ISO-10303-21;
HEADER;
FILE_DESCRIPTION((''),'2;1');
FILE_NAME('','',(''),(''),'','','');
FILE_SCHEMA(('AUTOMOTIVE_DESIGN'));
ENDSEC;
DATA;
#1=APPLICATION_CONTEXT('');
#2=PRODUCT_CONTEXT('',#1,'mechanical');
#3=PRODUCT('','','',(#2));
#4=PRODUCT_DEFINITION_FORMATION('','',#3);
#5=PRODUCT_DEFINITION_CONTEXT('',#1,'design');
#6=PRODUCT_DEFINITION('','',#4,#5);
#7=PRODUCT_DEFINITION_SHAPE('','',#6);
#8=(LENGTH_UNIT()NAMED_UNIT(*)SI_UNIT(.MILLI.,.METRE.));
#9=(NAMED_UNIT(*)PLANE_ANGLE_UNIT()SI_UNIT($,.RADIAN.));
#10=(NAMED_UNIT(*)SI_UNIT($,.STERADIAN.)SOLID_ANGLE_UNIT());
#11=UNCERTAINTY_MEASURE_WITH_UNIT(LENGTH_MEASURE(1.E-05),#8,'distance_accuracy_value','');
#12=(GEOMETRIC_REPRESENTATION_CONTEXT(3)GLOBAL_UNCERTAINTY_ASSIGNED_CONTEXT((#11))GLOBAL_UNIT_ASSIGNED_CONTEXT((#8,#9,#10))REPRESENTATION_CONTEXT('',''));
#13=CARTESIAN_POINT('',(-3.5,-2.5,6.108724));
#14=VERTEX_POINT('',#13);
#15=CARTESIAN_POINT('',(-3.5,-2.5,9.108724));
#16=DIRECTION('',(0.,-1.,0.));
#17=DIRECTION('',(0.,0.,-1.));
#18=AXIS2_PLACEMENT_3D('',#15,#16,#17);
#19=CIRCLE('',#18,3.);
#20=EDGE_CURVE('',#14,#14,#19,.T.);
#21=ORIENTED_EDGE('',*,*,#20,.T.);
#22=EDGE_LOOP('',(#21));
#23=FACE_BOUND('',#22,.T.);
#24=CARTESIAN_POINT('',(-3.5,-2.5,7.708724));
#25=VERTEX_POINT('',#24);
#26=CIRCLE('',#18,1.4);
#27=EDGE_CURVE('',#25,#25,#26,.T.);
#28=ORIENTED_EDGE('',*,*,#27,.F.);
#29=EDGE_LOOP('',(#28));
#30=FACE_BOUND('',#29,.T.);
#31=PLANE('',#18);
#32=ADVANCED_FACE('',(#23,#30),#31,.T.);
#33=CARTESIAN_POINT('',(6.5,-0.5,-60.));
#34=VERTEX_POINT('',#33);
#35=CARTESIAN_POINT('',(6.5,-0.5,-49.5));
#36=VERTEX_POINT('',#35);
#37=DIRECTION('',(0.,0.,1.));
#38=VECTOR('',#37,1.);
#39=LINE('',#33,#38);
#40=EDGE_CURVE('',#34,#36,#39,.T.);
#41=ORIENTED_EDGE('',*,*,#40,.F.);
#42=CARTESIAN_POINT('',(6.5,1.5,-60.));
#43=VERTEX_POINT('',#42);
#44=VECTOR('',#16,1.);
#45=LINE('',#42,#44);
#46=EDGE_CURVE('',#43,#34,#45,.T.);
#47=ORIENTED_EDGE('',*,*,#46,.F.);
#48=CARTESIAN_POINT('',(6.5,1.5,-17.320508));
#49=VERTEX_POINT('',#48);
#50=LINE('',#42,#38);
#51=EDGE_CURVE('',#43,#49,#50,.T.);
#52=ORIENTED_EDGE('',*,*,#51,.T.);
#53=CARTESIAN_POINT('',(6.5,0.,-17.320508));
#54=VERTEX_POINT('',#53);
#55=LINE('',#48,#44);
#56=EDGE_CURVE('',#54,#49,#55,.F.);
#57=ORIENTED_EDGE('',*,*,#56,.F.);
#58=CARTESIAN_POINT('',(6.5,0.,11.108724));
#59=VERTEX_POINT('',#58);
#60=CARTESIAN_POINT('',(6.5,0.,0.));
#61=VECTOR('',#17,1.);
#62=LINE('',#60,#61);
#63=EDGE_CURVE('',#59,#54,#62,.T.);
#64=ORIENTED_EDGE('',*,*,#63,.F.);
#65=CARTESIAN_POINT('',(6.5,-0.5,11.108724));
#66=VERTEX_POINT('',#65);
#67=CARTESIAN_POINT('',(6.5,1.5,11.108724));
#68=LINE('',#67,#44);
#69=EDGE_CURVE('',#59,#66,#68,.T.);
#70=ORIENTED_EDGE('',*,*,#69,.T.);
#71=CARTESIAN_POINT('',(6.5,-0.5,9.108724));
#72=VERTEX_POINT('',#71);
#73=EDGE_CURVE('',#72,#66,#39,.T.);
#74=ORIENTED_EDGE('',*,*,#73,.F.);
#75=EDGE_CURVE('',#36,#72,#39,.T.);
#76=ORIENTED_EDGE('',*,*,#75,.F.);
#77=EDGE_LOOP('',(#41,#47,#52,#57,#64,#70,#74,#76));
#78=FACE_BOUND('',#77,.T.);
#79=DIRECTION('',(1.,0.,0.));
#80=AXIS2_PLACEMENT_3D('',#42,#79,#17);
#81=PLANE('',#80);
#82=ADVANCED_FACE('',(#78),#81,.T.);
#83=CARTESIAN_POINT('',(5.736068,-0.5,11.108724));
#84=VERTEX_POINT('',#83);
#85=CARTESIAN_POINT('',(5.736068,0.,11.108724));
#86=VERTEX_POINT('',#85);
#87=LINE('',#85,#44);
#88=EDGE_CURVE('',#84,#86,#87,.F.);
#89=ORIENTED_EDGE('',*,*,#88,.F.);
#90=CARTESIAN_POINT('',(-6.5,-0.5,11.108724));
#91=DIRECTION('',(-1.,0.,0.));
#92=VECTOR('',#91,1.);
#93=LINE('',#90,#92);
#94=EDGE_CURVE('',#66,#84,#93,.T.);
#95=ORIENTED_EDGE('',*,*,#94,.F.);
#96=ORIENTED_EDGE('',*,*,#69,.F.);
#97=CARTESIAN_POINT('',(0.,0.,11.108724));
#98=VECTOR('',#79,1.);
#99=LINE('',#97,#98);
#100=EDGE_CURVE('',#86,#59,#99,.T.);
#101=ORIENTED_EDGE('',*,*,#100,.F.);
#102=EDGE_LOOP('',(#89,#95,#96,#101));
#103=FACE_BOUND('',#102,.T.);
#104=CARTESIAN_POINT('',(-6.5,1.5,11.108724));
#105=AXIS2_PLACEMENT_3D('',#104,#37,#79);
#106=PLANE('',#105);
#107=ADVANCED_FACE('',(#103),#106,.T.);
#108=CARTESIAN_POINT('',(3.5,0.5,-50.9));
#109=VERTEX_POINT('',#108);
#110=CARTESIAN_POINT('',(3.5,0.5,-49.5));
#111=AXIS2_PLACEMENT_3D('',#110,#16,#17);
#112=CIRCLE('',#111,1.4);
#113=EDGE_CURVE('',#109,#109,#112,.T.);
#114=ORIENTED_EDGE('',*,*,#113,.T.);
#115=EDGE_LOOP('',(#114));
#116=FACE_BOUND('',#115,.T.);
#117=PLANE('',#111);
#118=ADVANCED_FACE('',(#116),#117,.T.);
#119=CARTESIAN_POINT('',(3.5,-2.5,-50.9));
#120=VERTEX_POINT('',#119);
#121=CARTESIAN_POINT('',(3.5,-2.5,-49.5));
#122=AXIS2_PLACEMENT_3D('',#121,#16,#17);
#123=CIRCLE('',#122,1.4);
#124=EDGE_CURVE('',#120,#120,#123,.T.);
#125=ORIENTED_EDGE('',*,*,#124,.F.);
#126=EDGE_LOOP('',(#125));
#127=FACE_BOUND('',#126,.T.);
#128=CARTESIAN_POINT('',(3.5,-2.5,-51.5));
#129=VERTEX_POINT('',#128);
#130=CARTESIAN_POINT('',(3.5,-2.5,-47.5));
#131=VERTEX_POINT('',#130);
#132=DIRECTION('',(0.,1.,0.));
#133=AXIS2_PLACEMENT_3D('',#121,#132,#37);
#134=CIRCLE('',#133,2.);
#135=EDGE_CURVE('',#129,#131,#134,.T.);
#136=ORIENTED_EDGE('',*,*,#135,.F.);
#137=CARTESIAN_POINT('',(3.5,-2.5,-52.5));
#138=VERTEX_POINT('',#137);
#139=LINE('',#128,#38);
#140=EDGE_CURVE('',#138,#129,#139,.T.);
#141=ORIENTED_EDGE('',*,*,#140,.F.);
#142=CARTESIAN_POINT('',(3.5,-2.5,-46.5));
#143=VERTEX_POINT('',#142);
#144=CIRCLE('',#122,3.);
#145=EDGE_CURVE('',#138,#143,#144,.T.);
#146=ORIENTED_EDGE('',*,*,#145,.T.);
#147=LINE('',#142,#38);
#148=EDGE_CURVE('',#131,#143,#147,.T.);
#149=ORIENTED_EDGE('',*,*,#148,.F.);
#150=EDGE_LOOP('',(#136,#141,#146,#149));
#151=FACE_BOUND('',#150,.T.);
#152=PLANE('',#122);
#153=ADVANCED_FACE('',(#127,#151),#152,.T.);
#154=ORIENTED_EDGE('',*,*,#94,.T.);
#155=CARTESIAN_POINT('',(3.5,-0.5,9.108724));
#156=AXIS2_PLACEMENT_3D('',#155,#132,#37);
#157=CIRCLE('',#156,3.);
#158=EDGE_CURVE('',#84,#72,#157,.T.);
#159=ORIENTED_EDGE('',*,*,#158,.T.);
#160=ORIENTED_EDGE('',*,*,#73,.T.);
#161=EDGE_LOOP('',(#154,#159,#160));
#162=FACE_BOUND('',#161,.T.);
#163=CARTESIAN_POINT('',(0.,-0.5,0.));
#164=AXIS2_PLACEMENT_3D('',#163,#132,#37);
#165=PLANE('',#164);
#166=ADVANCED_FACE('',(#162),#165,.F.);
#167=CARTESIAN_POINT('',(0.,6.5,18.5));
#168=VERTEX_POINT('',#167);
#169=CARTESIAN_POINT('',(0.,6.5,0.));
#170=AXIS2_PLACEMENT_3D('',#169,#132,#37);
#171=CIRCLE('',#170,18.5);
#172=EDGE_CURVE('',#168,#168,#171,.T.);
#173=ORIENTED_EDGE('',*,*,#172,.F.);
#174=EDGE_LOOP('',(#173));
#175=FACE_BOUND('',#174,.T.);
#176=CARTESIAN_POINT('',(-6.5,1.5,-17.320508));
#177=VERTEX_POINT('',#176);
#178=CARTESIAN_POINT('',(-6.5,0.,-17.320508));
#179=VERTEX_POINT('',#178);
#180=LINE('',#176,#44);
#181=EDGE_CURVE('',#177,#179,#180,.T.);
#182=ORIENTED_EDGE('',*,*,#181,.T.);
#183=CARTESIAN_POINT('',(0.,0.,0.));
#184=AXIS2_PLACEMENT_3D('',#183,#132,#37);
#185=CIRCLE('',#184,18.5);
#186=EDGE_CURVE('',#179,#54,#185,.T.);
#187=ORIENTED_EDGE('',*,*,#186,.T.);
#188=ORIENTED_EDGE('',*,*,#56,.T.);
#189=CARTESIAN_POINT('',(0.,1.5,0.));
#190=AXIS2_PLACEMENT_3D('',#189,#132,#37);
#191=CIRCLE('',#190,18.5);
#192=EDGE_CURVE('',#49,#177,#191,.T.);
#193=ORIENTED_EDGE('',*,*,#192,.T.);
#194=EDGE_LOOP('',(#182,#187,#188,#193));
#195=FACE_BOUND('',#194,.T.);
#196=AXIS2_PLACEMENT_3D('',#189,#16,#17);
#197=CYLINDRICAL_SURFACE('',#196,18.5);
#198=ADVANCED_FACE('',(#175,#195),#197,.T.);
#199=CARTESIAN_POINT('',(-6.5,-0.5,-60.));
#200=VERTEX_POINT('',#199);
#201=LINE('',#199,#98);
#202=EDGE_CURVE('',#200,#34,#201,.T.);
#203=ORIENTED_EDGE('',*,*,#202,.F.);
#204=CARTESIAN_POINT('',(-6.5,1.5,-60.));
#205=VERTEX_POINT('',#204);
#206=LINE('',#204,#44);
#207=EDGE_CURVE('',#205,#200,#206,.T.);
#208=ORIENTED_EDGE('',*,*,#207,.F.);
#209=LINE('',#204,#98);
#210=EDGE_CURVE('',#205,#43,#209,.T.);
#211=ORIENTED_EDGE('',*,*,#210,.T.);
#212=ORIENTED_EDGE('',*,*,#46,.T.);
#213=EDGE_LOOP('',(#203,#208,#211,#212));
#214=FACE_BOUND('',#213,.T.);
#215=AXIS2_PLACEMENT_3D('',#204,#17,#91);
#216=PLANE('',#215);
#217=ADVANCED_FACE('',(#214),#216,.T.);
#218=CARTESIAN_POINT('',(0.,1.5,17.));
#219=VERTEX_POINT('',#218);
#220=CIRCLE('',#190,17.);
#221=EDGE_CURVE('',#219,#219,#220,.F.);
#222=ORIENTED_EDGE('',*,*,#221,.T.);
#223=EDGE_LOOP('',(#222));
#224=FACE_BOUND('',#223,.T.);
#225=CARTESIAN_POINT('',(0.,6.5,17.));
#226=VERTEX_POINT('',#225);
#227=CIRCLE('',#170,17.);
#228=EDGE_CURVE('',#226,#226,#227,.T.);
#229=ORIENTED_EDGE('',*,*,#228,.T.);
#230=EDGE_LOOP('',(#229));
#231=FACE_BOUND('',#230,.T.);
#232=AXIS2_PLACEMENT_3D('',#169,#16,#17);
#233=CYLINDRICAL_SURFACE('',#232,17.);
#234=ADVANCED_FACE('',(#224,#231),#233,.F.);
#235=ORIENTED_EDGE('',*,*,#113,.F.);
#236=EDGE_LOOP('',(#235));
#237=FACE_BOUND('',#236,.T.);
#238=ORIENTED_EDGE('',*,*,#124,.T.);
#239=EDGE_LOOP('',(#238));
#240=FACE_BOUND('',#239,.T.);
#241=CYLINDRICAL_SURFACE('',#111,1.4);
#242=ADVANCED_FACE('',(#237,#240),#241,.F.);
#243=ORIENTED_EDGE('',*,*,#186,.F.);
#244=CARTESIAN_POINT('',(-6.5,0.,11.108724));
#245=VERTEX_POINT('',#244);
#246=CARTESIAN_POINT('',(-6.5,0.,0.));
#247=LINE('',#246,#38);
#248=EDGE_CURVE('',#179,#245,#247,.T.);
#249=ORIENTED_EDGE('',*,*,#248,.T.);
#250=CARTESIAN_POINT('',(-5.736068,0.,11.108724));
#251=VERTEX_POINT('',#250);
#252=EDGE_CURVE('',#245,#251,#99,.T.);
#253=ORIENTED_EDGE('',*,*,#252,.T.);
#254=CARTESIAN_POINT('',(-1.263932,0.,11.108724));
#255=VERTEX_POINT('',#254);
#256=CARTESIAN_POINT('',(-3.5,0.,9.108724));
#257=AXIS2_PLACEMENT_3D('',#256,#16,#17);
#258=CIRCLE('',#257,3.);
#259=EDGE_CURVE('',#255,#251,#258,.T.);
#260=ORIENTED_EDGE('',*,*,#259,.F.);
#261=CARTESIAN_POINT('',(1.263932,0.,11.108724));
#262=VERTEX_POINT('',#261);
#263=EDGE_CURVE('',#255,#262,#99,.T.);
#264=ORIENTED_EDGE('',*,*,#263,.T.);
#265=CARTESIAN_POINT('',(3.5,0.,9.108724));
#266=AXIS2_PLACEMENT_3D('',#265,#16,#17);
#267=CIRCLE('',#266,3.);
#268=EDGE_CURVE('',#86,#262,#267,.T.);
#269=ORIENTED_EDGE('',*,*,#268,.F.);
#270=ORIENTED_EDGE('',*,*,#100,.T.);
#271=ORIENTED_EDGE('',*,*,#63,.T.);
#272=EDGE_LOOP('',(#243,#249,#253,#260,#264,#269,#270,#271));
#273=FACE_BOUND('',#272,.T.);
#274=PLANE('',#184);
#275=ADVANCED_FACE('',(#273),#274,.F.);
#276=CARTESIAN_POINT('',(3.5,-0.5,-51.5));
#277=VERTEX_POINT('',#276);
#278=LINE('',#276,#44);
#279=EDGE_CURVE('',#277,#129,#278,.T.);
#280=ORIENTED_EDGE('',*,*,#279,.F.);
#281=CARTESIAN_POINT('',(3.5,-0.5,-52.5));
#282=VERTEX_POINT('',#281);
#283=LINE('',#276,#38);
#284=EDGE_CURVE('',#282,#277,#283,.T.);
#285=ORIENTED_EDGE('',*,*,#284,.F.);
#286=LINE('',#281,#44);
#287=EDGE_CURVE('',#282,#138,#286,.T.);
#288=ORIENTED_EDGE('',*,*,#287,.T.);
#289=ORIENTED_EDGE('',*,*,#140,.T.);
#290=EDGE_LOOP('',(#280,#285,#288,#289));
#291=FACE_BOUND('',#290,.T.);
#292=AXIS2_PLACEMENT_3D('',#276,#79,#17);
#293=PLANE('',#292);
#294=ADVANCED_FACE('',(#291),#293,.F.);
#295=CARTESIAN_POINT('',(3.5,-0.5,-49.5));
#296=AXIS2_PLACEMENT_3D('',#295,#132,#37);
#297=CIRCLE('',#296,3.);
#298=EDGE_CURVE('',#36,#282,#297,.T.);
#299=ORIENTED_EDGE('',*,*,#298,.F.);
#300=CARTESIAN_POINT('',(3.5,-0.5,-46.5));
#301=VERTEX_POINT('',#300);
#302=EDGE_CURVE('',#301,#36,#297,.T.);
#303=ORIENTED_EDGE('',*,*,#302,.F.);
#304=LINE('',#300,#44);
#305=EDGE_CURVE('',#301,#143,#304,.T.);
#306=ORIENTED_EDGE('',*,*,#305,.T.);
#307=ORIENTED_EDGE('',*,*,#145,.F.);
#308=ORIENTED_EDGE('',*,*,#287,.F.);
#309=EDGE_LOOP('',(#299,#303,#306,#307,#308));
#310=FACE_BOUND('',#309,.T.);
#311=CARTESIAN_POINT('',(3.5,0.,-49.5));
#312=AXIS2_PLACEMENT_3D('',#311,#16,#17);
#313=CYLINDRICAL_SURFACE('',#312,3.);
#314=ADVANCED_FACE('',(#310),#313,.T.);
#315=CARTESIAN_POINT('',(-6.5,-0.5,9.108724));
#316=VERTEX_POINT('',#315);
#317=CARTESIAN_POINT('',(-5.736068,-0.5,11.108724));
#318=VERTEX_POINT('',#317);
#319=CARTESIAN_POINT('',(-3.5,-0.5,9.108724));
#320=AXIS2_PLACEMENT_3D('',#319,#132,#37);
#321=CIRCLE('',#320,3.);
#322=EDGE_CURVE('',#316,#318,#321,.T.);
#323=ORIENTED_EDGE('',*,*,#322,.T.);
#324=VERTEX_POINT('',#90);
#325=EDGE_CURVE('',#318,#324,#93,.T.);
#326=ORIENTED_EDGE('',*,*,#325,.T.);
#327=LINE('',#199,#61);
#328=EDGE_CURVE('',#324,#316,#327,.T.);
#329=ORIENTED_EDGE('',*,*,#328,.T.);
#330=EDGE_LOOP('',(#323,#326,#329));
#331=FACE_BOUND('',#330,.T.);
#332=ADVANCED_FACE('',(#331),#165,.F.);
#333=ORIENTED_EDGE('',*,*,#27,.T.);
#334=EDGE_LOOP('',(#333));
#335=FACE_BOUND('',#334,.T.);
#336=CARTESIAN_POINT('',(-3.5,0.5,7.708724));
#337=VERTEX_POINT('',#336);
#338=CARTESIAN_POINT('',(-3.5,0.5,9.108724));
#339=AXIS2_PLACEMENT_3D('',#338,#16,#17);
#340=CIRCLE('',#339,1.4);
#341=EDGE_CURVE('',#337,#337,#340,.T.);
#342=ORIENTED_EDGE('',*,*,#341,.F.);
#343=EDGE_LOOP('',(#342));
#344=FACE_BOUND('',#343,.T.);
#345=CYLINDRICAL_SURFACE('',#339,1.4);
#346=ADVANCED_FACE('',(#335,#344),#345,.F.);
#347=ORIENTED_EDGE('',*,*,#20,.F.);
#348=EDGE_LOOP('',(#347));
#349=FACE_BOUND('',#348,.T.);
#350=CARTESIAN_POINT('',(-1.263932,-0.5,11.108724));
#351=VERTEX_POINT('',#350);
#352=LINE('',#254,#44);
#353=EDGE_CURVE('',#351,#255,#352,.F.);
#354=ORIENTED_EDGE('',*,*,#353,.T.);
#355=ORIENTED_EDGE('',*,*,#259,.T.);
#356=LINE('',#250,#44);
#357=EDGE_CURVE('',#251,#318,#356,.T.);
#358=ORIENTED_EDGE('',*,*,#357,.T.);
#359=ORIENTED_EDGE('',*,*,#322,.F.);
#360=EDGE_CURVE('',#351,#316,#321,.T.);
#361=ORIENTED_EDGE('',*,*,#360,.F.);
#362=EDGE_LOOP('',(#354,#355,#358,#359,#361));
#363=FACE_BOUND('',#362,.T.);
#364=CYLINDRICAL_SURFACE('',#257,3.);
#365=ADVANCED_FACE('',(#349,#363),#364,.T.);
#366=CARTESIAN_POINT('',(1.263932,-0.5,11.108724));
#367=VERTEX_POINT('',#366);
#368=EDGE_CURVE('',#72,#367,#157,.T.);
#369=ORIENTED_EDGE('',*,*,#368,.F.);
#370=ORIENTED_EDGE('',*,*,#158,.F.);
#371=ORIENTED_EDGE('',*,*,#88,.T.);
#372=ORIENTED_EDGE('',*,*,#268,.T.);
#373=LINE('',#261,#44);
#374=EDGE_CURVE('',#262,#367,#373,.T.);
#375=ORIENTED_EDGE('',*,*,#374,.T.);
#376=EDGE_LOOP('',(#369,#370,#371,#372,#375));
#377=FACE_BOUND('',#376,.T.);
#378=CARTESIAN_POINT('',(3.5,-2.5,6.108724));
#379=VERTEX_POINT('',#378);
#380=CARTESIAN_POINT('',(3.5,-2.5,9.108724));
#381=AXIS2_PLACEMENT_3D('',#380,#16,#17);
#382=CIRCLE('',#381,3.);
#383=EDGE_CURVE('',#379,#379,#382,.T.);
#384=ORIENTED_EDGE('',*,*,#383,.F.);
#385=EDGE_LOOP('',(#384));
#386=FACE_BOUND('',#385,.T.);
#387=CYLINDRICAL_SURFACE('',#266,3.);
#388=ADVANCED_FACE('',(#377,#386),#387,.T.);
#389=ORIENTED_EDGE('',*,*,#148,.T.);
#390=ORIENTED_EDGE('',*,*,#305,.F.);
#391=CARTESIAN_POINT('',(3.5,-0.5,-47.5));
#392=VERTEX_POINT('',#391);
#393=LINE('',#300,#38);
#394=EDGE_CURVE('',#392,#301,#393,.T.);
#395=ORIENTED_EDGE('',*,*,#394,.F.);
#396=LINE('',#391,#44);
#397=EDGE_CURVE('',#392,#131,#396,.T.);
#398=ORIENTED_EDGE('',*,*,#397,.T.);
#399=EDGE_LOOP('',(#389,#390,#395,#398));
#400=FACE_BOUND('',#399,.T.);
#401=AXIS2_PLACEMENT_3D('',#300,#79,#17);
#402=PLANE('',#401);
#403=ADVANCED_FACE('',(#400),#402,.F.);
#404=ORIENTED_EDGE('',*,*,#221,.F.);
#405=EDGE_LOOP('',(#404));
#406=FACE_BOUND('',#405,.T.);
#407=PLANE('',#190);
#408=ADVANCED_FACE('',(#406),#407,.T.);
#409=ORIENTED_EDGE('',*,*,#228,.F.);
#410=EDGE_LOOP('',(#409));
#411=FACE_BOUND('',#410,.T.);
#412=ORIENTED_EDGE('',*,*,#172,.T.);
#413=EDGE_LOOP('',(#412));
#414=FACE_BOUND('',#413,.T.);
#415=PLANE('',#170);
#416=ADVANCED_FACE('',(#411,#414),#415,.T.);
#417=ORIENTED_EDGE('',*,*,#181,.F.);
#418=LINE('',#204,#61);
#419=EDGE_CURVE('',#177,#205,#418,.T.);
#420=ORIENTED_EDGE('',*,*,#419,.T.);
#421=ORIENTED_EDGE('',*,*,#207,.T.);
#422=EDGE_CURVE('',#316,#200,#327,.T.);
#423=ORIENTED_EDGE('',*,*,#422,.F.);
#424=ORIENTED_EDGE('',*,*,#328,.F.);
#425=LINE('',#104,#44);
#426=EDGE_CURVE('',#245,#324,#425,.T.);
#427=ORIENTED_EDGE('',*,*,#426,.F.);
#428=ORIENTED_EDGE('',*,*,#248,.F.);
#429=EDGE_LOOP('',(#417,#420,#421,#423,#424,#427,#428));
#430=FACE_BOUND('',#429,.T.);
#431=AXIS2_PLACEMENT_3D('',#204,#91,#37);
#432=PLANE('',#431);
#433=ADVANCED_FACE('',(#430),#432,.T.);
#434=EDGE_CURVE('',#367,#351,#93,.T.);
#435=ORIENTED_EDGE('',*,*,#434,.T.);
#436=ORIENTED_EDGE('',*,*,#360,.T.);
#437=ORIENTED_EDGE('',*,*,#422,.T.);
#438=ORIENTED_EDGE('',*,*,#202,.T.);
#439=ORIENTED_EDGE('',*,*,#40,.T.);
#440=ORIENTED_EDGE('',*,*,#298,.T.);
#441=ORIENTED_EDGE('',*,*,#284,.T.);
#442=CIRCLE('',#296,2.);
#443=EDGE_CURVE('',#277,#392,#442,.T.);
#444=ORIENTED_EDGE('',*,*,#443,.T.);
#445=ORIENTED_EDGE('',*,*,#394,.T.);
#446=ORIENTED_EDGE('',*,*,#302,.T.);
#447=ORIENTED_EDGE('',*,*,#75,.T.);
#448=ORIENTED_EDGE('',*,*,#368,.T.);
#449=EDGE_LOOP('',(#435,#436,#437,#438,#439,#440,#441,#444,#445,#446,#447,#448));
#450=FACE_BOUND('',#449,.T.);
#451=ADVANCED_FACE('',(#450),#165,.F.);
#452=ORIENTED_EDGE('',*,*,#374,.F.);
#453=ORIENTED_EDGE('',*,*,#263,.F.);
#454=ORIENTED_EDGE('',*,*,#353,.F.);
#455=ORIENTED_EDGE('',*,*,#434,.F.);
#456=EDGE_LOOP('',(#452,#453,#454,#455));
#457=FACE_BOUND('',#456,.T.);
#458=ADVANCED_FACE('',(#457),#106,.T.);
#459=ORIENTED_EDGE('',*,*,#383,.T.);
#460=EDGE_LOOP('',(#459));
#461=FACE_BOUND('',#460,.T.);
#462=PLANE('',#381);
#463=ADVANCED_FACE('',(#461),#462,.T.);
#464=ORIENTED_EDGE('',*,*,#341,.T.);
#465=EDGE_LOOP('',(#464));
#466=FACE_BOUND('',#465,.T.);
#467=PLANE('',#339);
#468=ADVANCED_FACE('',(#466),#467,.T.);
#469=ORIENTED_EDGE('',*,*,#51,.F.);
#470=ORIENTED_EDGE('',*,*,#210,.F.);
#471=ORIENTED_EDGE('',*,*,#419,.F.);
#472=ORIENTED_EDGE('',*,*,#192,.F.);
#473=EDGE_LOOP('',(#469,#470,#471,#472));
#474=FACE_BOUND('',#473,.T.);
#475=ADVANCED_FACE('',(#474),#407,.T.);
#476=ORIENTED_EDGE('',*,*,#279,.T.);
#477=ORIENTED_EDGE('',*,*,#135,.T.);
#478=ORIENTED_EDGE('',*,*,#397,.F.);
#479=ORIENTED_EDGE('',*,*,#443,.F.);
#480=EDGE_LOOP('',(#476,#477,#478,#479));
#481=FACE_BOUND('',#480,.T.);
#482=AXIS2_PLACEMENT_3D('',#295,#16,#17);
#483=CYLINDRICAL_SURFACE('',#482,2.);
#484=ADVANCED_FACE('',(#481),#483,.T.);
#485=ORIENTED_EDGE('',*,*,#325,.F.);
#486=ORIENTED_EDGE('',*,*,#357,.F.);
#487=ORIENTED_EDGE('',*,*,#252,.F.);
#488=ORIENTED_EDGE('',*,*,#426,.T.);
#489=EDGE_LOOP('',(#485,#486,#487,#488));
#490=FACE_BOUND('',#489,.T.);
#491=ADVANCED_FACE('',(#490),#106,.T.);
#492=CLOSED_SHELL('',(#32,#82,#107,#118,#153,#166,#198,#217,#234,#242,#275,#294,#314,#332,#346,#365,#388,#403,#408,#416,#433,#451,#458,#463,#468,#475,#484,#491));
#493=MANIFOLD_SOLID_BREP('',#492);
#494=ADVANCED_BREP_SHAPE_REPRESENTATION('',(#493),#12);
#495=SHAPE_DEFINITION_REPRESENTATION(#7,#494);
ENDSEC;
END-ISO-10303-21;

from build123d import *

# Parameters (mm, degrees)
SKETCH1_R                = 18.5
BOSS_EXTRUDE1_DEPTH      = 1.5
SKETCH2_R                = 18.5
SKETCH2_R_2              = 17
BOSS_EXTRUDE2_DEPTH      = 5
SKETCH3_W                = 13
SKETCH3_H                = 71.108724116
BOSS_EXTRUDE3_DEPTH      = 0.5
BOSS_EXTRUDE3_DEPTH_BACK = 1.5
SKETCH4_R                = 3
BOSS_EXTRUDE4_DEPTH      = 2
BOSS_EXTRUDE4_DEPTH_BACK = 0.5
CUT_EXTRUDE1_DEPTH       = 2
SKETCH7_R                = 1.4
CUT_EXTRUDE2_DEPTH       = 3


with BuildPart() as part:
    # Sketch1 → Boss-Extrude1 (new body)
    with BuildSketch(Plane(origin=(0, 0, 0), x_dir=(1, 0, 0), z_dir=(0, 1, 0))):
        Circle(SKETCH1_R)
    extrude(amount=BOSS_EXTRUDE1_DEPTH)

    # Sketch2 → Boss-Extrude2 (add)
    with BuildSketch(Plane(origin=(0, 1.5, 0), x_dir=(1, 0, 0), z_dir=(0, 1, 0))):
        Circle(SKETCH2_R)
        Circle(SKETCH2_R_2, mode=Mode.SUBTRACT)
    extrude(amount=BOSS_EXTRUDE2_DEPTH)

    # Sketch3 → Boss-Extrude3 (add, two sides)
    with BuildSketch(Plane(origin=(0, 0, 0), x_dir=(-1, 0, 0), z_dir=(0, -1, 0))) as boss_extrude3_sk:
        with Locations((0, 24.445637942)):
            Rectangle(SKETCH3_W, SKETCH3_H)
    extrude(amount=BOSS_EXTRUDE3_DEPTH)
    extrude(boss_extrude3_sk.sketch, amount=-BOSS_EXTRUDE3_DEPTH_BACK)

    # Sketch4 → Boss-Extrude4 (add, two sides)
    with BuildSketch(Plane(origin=(0, -0.5, 0), x_dir=(-1, 0, 0), z_dir=(0, -1, 0))) as boss_extrude4_sk:
        with Locations((3.5, -9.108724116)):
            Circle(SKETCH4_R)
        with Locations((-3.5, 49.5)):
            Circle(SKETCH4_R)
        with Locations((-3.5, -9.108724116)):
            Circle(SKETCH4_R)
    extrude(amount=BOSS_EXTRUDE4_DEPTH)
    extrude(boss_extrude4_sk.sketch, amount=-BOSS_EXTRUDE4_DEPTH_BACK)

    # Sketch6 → Cut-Extrude1 (cut)
    with BuildSketch(Plane(origin=(0, -2.5, 0), x_dir=(-1, 0, 0), z_dir=(0, -1, 0))):
        with BuildLine():
            Line((-3.5, 51.5), (-3.5, 52.5))
            ThreePointArc((-3.5, 52.5), (-0.5, 49.5), (-3.5, 46.5))
            Line((-3.5, 46.5), (-3.5, 47.5))
            ThreePointArc((-3.5, 47.5), (-1.5, 49.5), (-3.5, 51.5))
        make_face()
    extrude(amount=-CUT_EXTRUDE1_DEPTH, mode=Mode.SUBTRACT)

    # Sketch7 → Cut-Extrude2 (cut)
    with BuildSketch(Plane(origin=(0, -2.5, 0), x_dir=(-1, 0, 0), z_dir=(0, -1, 0))):
        with Locations((-3.5, 49.5)):
            Circle(SKETCH7_R)
        with Locations((3.5, -9.108724116)):
            Circle(SKETCH7_R)
    extrude(amount=-CUT_EXTRUDE2_DEPTH, mode=Mode.SUBTRACT)


solid = part.part
